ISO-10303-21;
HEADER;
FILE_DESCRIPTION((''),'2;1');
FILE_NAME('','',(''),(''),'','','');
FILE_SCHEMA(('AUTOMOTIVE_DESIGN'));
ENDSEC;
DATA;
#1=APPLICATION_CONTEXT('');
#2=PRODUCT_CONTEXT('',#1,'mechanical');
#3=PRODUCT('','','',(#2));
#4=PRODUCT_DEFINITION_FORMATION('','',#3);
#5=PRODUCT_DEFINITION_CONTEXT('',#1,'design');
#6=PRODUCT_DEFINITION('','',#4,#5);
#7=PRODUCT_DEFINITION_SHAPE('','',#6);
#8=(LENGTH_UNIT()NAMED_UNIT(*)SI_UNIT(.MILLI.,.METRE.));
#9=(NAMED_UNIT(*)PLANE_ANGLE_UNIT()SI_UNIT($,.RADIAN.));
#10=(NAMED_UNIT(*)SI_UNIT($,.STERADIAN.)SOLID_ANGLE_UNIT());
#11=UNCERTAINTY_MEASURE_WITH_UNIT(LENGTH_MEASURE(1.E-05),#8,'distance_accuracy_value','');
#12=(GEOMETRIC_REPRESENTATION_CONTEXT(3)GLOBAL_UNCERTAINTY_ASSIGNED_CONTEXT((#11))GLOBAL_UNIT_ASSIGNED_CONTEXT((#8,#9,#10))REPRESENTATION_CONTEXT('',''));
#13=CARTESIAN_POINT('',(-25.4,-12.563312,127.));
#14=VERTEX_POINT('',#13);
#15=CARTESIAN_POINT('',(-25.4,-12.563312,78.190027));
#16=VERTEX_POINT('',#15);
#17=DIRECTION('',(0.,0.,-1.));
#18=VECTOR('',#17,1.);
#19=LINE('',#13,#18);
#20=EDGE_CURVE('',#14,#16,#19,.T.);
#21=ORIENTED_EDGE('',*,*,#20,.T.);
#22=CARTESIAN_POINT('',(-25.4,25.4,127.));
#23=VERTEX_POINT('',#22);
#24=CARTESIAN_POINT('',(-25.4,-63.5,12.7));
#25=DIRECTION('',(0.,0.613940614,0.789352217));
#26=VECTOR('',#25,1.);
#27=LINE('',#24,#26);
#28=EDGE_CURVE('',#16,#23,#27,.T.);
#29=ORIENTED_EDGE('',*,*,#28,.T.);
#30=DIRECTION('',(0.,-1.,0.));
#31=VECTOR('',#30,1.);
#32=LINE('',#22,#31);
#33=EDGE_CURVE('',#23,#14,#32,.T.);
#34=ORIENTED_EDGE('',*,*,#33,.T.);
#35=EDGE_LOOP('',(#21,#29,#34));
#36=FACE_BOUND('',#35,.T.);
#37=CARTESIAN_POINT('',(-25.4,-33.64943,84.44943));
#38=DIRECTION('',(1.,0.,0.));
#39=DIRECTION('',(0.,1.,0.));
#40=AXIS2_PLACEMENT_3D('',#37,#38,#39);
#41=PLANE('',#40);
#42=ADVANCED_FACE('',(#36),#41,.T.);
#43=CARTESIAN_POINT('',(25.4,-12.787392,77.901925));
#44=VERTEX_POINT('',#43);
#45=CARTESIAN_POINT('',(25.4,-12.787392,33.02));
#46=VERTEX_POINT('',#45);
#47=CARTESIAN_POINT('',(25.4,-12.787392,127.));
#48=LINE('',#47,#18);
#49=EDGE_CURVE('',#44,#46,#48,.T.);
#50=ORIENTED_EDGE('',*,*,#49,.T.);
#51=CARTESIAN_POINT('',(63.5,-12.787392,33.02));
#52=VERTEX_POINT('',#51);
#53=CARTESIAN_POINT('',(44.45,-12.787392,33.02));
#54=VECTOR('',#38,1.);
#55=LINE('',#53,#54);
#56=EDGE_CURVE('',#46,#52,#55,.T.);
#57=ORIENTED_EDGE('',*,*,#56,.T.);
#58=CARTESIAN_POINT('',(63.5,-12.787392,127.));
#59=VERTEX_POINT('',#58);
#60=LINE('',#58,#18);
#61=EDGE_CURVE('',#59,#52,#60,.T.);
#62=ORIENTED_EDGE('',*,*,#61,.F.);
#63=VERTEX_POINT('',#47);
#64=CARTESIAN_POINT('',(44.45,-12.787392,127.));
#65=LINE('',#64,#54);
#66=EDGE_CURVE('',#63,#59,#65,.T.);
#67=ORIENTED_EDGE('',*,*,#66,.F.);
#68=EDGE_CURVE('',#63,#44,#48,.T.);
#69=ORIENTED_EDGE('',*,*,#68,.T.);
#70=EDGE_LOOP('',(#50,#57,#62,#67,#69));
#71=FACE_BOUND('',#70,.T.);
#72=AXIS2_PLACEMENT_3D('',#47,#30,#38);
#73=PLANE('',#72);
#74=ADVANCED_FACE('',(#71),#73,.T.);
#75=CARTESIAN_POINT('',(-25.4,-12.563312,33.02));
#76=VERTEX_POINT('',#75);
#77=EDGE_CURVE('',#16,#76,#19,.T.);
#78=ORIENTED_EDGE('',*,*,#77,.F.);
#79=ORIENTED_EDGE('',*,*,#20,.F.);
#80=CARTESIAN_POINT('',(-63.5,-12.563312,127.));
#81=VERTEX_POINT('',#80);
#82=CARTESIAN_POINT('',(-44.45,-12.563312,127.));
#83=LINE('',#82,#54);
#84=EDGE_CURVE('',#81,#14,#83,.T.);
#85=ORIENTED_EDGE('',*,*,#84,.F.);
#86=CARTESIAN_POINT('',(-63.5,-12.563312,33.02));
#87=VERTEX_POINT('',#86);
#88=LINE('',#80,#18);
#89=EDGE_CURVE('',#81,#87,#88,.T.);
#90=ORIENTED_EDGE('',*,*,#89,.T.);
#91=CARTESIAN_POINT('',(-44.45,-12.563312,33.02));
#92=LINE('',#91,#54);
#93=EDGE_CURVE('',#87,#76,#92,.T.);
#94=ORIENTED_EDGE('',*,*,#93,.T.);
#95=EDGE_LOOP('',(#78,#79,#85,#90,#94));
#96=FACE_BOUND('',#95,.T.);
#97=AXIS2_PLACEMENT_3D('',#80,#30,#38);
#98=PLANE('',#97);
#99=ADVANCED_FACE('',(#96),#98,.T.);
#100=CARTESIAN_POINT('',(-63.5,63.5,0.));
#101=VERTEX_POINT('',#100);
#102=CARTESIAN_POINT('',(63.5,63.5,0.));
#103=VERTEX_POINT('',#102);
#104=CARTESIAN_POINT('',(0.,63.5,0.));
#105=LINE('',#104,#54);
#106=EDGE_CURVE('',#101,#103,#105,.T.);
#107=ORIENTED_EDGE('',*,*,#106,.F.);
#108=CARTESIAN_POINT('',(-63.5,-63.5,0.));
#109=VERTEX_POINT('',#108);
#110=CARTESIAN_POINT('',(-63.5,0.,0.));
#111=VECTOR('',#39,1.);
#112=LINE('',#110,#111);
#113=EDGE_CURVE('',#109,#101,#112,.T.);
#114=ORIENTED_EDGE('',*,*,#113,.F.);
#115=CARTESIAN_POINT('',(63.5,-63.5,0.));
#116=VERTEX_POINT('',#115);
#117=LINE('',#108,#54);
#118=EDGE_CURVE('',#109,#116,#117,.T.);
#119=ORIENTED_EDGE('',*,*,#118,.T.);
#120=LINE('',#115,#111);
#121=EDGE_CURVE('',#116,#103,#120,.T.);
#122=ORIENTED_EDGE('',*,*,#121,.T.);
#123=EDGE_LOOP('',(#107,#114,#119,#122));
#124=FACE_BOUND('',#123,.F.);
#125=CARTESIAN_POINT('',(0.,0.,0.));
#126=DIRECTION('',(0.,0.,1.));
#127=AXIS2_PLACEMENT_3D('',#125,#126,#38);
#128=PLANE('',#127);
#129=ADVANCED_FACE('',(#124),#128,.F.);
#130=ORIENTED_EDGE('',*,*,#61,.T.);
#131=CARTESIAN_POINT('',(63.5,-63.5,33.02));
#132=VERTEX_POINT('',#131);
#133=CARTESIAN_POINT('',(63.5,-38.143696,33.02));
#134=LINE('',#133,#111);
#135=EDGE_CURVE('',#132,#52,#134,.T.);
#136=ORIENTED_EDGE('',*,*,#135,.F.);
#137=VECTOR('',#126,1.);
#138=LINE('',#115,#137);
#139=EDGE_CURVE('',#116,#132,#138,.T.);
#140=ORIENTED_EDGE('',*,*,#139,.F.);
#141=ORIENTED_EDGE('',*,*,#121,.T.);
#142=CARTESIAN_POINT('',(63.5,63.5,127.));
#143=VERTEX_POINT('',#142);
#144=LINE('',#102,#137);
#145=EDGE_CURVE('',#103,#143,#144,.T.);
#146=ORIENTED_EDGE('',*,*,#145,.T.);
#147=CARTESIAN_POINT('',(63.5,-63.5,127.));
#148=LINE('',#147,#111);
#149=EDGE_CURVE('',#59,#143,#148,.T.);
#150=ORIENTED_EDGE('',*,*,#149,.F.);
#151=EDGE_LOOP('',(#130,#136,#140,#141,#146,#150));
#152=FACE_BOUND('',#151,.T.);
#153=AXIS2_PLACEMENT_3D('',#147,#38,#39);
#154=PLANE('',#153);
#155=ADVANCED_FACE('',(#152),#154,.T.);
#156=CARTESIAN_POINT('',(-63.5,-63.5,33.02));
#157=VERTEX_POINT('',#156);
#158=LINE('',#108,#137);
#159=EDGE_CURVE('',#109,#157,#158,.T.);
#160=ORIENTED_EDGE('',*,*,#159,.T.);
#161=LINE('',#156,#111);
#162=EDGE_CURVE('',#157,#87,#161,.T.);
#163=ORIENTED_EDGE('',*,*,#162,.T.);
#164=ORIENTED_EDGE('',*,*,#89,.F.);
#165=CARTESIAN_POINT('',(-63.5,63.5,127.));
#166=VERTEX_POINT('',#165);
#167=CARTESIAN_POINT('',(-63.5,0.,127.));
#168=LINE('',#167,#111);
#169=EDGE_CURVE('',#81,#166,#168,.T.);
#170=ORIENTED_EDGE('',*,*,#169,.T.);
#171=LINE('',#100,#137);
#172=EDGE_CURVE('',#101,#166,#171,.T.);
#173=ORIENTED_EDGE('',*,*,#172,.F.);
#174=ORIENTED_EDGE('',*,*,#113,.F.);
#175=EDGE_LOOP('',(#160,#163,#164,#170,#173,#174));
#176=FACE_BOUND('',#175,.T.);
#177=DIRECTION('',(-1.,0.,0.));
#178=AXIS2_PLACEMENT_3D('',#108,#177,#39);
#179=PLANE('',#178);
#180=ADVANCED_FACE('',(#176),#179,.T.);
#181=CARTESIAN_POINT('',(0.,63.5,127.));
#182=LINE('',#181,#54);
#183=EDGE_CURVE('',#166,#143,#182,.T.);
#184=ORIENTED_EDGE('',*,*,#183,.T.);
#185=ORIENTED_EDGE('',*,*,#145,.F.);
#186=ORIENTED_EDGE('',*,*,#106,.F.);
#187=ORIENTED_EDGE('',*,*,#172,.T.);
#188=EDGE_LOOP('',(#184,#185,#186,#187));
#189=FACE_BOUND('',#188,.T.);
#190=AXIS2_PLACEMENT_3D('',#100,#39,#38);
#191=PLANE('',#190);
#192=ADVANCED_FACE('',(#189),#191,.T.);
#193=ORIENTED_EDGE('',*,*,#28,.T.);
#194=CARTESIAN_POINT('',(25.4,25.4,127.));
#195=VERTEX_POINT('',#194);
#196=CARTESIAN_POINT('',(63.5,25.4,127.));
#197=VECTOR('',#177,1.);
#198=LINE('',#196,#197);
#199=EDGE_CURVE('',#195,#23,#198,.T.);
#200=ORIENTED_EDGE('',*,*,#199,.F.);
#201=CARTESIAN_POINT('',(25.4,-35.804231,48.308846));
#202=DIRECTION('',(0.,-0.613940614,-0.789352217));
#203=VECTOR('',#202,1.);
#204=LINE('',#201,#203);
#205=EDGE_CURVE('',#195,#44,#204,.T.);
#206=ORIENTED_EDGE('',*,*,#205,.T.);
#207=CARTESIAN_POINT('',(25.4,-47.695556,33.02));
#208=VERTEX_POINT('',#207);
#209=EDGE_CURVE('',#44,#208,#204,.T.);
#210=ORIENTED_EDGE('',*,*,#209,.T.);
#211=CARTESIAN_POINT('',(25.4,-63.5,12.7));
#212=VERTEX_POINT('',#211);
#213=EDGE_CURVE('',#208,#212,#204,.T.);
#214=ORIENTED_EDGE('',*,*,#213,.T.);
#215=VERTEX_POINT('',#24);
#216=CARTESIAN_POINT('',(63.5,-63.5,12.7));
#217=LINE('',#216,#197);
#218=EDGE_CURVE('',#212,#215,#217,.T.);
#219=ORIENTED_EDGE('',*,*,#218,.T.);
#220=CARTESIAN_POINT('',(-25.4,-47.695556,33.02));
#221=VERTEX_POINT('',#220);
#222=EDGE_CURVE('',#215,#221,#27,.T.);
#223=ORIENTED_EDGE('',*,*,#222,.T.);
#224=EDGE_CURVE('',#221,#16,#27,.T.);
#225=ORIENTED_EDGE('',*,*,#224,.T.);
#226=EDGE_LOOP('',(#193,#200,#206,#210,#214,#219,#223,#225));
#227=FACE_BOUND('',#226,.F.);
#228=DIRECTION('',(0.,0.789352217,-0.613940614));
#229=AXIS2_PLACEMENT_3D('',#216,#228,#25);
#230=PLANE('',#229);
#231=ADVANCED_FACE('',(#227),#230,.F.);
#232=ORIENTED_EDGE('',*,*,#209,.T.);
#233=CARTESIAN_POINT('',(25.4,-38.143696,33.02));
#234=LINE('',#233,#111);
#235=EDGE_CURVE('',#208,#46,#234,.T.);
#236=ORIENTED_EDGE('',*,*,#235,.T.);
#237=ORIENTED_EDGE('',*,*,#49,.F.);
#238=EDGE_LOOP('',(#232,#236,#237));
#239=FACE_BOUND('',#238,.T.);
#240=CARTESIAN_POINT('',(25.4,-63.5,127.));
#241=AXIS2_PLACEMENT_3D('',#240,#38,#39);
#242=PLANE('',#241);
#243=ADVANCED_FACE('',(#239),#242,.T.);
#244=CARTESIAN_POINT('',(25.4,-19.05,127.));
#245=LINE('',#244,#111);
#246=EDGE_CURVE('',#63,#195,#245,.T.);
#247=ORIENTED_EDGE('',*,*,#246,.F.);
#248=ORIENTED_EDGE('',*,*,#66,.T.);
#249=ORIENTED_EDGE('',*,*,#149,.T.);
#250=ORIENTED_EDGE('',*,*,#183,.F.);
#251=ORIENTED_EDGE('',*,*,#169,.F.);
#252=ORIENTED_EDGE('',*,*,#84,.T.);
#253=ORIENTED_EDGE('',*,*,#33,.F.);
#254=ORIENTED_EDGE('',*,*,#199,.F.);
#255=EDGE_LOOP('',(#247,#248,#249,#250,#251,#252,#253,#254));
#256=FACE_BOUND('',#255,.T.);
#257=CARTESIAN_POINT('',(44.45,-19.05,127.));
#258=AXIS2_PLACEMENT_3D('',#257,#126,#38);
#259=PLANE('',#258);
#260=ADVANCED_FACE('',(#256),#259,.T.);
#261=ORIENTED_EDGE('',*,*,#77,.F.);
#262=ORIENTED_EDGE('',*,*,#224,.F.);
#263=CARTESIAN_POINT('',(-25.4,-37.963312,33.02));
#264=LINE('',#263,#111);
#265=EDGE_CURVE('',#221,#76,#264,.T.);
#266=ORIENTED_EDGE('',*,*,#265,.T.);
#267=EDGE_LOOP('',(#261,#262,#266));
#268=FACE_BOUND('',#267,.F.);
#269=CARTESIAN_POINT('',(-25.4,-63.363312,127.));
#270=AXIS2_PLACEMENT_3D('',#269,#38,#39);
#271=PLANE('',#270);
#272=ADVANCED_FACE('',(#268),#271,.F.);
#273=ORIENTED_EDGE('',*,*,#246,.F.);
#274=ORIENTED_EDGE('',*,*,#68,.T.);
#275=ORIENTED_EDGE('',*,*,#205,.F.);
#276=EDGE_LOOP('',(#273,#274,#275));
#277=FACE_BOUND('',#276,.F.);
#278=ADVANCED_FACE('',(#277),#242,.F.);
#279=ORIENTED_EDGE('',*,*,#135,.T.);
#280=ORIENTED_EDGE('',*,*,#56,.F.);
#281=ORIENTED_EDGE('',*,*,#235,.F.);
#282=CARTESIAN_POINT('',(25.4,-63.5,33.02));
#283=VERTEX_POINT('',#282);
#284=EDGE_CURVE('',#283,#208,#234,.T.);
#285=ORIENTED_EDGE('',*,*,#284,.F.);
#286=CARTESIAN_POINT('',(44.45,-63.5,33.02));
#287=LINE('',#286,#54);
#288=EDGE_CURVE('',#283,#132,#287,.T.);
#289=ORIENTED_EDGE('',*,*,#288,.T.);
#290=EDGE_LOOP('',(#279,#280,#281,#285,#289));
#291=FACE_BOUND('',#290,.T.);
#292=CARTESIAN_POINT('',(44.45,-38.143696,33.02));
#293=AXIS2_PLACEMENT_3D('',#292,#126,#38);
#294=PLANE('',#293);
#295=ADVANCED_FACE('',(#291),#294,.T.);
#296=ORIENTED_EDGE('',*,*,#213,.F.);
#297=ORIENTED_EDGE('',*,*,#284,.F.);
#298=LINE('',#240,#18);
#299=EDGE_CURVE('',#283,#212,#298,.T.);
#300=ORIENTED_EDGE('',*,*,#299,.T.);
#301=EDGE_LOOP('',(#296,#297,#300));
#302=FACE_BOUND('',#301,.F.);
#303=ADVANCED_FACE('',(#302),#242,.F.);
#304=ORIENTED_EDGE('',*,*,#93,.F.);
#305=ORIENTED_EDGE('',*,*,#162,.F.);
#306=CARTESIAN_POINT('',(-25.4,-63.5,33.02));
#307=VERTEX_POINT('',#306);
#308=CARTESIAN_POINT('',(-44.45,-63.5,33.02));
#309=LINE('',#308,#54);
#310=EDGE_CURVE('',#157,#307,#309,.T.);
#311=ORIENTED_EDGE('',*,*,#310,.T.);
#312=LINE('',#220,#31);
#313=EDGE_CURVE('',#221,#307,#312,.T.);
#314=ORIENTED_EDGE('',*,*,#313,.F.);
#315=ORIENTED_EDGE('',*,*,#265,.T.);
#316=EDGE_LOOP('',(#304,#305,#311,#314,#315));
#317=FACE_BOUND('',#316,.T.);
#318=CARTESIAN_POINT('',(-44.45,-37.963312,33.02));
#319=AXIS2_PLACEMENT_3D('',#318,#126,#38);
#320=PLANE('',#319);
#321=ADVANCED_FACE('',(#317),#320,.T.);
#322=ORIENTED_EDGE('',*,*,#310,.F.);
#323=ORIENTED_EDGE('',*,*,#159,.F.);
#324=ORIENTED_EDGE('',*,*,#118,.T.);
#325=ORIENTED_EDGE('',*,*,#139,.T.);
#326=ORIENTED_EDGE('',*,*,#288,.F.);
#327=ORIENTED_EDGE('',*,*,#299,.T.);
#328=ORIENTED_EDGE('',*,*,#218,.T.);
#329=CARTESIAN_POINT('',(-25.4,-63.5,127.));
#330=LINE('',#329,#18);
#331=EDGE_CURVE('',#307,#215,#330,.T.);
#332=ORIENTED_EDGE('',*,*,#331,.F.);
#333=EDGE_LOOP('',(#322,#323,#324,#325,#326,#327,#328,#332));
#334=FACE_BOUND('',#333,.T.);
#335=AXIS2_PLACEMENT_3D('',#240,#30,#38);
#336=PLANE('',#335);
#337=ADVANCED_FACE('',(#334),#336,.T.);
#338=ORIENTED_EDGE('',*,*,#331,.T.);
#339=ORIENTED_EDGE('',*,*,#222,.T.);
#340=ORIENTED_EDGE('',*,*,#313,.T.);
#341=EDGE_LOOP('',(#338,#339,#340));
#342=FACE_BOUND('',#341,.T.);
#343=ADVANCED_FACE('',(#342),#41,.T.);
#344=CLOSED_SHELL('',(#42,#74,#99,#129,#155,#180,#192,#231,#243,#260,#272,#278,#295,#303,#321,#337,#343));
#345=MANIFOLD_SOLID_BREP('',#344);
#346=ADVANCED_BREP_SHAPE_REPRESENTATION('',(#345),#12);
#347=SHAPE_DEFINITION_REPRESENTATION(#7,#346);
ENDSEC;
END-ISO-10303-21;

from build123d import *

# Parameters (mm, degrees)
F0_W      = 127
F0_H      = 127
F1_DEPTH  = 127
F4_DEPTH  = 88.9
F5_W      = 38.1
F5_H      = 88.9
F6_DEPTH  = 127
F7_W      = 38.1
F7_H      = 50.712608
F7_H_2    = 50.8
F8_DEPTH  = 93.98
F9_W      = 38.1
F9_H      = 93.98
F10_DEPTH = 12.7


with BuildPart() as f1:
    # F0 (on Top) → F1 (new body)
    with BuildSketch(Plane.XY):
        Rectangle(F0_W, F0_H)
    extrude(amount=F1_DEPTH)

    # F3 (on face) → F4 (cut)
    with BuildSketch(Plane.YZ.offset(63.5)):
        Polygon((-63.5, 127), (-63.5, 12.7), (25.4, 127), align=None)
    extrude(amount=-F4_DEPTH, mode=Mode.SUBTRACT)

    # F5 (on face) → F6 (join)
    with BuildSketch(Plane.XY.offset(127)):
        with Locations((44.45, -19.05)):
            Rectangle(F5_W, F5_H)
    extrude(amount=-F6_DEPTH)

    # F7 (on face) → F8 (cut)
    with BuildSketch(Plane.XY.offset(127)):
        with Locations((44.45, -38.143696)):
            Rectangle(F7_W, F7_H)
        with Locations((-44.45, -37.963312)):
            Rectangle(F7_W, F7_H_2)
    extrude(amount=-F8_DEPTH, mode=Mode.SUBTRACT)

    # F9 (on face) → F10 (cut)
    with BuildSketch(Plane.XZ.offset(63.5)):
        with Locations((-44.45, 80.01)):
            Rectangle(F9_W, F9_H)
    extrude(amount=-F10_DEPTH, mode=Mode.SUBTRACT)


solid = f1.part
